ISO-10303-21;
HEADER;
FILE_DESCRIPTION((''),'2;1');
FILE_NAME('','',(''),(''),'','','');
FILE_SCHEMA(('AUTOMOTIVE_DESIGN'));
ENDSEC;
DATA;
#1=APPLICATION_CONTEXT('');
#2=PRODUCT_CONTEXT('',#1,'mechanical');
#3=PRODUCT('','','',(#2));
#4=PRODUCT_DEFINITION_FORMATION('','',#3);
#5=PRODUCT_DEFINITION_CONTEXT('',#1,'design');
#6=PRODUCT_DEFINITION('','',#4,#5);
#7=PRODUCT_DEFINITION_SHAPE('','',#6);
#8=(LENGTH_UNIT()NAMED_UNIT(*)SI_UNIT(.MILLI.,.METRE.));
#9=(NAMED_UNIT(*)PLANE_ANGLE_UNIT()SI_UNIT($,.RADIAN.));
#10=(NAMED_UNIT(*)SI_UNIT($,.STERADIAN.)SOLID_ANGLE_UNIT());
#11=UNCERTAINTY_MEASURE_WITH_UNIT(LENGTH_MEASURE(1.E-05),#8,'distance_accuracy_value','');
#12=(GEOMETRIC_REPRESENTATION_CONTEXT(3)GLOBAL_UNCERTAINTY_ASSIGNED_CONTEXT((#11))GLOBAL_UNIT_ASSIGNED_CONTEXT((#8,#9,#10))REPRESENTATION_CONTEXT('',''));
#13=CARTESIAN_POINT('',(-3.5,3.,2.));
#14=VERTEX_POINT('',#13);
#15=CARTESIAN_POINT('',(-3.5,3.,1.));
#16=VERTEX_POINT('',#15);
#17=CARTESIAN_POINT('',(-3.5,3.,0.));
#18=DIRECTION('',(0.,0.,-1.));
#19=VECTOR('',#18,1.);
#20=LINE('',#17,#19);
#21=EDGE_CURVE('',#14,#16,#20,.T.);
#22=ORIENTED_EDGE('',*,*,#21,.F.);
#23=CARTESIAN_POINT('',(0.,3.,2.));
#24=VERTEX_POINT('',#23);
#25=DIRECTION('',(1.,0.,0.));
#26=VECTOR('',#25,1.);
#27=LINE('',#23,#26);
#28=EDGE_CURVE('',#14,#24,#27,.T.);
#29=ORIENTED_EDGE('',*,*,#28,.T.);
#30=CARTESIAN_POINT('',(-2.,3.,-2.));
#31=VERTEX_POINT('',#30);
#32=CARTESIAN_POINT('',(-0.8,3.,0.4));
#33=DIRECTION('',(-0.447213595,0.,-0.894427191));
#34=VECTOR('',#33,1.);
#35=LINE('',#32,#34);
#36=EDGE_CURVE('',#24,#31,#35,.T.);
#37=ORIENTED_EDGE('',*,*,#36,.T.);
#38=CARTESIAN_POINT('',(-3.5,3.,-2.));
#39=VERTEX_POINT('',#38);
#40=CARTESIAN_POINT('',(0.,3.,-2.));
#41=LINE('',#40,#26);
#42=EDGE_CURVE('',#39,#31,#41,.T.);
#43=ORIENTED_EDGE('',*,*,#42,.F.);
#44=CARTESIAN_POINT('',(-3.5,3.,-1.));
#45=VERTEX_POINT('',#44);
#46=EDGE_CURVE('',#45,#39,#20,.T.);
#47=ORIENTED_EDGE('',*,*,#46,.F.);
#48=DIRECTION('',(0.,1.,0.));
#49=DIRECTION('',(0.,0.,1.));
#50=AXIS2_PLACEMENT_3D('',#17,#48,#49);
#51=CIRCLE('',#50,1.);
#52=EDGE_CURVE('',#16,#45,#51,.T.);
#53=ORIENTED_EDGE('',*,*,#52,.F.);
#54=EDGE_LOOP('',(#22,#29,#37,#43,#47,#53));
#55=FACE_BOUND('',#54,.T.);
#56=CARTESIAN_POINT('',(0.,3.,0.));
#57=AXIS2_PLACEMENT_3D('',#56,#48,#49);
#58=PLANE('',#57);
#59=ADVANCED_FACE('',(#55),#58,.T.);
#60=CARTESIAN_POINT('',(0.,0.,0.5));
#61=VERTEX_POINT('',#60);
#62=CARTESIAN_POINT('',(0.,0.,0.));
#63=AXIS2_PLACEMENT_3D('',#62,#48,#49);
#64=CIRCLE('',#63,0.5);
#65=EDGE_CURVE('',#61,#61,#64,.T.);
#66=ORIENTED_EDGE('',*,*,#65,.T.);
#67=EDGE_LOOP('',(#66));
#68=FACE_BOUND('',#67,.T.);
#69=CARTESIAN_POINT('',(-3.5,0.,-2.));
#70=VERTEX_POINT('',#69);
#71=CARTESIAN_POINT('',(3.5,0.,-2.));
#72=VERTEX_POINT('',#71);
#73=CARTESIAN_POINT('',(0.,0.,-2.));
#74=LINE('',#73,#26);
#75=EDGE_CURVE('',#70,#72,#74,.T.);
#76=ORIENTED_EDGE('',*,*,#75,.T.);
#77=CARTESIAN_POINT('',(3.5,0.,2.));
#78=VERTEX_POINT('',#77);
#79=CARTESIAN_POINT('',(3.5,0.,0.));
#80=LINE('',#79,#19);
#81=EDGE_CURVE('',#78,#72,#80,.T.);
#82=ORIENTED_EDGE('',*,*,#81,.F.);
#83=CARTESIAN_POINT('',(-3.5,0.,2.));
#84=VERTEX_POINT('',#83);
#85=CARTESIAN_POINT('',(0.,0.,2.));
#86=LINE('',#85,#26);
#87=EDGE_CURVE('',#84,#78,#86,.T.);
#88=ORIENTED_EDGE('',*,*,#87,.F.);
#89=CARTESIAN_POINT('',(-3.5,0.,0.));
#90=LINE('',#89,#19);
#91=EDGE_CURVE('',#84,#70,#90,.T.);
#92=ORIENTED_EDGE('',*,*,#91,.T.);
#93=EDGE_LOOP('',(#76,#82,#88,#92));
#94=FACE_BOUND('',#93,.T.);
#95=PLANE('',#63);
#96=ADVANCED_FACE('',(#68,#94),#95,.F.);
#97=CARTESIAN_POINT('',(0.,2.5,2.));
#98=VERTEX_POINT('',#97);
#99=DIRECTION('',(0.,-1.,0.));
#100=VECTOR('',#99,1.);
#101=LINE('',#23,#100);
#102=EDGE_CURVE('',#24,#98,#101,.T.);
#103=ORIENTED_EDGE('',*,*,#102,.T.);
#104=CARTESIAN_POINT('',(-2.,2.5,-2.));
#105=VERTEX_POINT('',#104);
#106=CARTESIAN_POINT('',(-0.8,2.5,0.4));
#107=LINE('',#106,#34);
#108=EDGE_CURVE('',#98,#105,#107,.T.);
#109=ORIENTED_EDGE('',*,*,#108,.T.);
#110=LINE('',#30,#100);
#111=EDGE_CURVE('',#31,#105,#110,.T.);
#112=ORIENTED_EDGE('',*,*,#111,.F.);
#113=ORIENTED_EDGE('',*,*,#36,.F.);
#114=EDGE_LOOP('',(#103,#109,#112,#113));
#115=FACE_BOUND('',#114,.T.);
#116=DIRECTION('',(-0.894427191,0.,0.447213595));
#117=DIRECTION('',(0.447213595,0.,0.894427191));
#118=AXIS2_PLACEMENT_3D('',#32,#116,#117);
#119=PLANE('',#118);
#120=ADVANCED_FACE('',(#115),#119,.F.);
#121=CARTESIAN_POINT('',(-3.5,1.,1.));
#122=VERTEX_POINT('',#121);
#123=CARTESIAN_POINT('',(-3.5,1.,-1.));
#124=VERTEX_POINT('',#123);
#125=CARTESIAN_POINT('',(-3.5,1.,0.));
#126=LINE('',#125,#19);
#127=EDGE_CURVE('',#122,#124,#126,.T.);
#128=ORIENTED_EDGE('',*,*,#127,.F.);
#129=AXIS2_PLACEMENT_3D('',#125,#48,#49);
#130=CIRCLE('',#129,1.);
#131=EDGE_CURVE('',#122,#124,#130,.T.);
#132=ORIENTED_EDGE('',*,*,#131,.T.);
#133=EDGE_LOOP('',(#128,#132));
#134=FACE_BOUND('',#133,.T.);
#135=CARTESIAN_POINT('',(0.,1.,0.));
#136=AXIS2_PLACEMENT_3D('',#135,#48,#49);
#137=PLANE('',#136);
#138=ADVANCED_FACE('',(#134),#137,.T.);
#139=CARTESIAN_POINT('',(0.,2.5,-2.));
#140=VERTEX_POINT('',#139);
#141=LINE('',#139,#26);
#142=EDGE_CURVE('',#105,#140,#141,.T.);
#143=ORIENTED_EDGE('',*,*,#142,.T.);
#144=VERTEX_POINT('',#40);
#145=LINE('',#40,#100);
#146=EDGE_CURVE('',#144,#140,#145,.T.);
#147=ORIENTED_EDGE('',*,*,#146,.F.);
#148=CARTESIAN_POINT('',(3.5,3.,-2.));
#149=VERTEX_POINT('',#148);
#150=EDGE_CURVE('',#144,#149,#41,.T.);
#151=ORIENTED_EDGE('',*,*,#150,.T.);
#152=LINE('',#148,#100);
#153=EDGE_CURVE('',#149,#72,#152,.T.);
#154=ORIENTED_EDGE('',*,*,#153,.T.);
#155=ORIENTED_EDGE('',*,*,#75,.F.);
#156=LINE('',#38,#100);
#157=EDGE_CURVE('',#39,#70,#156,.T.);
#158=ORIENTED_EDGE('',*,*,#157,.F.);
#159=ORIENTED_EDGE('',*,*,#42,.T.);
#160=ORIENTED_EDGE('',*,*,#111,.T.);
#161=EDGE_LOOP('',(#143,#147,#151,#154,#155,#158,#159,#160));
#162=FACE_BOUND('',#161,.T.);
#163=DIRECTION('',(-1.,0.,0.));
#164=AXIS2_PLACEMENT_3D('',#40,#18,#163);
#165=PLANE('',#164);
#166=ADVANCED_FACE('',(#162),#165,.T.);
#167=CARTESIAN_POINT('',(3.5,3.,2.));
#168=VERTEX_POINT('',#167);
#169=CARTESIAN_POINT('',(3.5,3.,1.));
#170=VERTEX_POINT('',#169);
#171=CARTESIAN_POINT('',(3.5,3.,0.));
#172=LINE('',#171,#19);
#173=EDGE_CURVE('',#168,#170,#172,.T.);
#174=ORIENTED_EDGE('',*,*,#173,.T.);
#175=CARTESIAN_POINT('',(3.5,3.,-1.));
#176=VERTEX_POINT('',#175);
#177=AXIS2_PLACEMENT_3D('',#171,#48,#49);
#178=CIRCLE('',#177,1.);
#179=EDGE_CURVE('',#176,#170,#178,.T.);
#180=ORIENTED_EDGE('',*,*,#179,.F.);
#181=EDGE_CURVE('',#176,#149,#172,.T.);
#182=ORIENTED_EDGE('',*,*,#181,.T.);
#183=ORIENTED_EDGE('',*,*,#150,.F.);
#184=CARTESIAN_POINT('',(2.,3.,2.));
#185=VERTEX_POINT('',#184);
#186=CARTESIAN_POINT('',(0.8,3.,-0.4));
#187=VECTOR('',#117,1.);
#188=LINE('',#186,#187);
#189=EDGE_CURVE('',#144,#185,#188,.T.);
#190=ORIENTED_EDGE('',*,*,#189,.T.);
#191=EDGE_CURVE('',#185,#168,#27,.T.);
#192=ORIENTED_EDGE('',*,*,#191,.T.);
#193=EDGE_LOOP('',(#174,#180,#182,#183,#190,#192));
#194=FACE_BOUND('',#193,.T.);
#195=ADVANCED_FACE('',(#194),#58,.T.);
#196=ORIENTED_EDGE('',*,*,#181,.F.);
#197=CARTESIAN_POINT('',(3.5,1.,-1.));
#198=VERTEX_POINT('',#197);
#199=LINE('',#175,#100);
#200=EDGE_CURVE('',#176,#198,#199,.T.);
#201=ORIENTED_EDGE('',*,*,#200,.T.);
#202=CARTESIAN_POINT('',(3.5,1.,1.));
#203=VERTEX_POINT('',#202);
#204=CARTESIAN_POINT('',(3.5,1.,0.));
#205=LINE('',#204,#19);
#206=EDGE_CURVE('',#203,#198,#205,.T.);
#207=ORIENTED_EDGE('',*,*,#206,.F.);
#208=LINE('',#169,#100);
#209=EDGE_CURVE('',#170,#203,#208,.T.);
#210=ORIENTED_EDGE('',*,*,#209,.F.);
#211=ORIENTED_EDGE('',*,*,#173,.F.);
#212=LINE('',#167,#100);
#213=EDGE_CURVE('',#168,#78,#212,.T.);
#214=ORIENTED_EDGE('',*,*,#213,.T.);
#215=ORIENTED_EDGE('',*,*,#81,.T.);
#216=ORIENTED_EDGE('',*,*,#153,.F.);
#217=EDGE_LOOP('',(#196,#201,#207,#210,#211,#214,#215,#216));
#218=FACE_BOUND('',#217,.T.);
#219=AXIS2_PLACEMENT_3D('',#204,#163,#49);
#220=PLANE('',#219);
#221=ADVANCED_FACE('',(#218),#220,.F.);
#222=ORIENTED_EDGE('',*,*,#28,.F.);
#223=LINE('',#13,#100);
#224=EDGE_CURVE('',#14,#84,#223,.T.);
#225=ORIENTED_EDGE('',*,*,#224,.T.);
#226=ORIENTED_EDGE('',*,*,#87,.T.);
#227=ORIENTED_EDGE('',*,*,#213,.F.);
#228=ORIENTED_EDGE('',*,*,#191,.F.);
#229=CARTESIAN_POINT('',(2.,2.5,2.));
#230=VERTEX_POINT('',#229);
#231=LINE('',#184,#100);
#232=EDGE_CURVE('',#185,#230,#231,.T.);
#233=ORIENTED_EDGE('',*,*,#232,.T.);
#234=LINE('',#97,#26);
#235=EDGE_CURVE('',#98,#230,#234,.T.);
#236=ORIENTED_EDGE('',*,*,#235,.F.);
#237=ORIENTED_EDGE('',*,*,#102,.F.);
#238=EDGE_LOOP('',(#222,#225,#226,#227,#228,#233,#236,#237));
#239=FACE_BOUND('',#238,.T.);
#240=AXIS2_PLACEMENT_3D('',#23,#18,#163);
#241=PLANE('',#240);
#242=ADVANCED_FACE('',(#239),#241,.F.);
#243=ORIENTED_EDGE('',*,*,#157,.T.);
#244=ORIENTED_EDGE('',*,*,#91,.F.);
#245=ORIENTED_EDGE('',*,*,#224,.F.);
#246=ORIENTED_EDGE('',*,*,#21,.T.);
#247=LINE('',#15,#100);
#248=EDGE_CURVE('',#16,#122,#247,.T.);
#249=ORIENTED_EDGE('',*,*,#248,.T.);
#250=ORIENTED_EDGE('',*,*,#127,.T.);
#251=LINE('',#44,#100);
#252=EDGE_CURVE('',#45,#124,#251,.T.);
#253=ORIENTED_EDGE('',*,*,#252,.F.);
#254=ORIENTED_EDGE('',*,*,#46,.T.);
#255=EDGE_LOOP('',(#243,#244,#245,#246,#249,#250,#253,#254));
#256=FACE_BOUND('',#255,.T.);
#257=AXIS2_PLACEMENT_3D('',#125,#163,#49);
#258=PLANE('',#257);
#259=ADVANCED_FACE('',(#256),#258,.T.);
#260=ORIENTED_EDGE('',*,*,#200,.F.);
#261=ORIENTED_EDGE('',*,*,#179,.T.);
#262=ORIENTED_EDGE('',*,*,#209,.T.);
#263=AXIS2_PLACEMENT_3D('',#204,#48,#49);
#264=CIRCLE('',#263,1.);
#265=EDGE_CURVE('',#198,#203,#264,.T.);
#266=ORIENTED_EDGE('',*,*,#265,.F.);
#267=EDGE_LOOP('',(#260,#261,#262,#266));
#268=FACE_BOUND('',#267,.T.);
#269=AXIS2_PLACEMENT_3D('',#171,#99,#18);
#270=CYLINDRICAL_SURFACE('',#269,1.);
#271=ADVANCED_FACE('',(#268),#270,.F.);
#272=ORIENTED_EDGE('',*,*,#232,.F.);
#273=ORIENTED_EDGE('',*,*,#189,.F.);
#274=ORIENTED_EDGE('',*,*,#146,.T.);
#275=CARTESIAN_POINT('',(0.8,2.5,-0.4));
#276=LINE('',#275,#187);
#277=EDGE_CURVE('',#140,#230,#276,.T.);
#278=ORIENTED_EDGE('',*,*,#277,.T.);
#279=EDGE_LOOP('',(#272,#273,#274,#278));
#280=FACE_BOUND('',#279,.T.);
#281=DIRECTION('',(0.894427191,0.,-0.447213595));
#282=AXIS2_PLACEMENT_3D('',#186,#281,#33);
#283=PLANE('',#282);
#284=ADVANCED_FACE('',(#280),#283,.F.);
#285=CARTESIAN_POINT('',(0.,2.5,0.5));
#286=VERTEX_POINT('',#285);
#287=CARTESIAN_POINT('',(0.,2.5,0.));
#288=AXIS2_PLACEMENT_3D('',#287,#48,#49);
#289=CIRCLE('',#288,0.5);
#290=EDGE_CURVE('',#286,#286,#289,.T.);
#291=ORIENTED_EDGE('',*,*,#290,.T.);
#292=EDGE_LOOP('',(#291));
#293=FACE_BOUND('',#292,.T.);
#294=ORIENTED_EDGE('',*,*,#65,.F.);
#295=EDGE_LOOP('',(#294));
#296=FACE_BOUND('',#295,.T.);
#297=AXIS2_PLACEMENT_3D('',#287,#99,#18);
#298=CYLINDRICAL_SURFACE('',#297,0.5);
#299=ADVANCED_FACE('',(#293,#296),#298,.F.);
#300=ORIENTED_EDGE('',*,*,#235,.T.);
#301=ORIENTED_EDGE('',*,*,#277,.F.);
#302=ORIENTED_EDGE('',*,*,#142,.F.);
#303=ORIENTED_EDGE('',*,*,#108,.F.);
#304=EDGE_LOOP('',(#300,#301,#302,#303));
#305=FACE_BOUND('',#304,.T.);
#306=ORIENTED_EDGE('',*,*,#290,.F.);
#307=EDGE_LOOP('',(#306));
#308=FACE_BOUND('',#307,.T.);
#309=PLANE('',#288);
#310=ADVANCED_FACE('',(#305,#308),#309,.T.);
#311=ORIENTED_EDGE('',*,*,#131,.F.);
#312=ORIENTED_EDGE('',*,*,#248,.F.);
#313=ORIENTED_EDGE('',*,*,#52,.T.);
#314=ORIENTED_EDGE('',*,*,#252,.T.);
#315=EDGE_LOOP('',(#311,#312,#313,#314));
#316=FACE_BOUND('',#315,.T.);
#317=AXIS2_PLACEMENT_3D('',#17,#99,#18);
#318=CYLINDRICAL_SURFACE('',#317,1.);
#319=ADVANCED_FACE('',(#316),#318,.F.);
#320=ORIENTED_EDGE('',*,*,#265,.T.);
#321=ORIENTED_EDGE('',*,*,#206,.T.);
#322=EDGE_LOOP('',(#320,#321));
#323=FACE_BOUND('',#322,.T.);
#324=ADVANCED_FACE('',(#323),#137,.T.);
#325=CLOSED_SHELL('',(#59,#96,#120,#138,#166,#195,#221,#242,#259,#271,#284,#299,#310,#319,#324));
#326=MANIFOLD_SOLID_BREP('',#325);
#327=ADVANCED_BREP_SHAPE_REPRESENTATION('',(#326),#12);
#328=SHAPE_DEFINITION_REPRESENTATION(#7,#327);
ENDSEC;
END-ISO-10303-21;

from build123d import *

# Parameters (mm, degrees)
BOSS_EXTRUDE1_DEPTH   = 1
BOSS_EXTRUDE1_2_DEPTH = 1
BOSS_EXTRUDE2_DEPTH   = 3
SKETCH1_4_R           = 0.5
BOSS_EXTRUDE3_DEPTH   = 2.5


with BuildPart() as part:
    # Sketch1 → Boss-Extrude1 (new body)
    with BuildSketch(Plane(origin=(0, 0, 0), x_dir=(1, 0, 0), z_dir=(0, 1, 0))):
        with BuildLine():
            Line((-3.5, 1), (-3.5, -1))
            ThreePointArc((-3.5, -1), (-2.5, 0), (-3.5, 1))
        make_face()
    extrude(amount=BOSS_EXTRUDE1_DEPTH)



with BuildPart() as body_2:
    # Sketch1 → Boss-Extrude1 2 (new body)
    with BuildSketch(Plane(origin=(0, 0, 0), x_dir=(1, 0, 0), z_dir=(0, 1, 0))):
        with BuildLine():
            ThreePointArc((3.5, 1), (2.5, 0), (3.5, -1))
            Line((3.5, -1), (3.5, 1))
        make_face()
    extrude(amount=BOSS_EXTRUDE1_2_DEPTH)


with BuildPart() as part_1:
    add(part.part)

    add(body_2.part)  # Boss-Extrude2 merges body 2
    # Sketch1<3> → Boss-Extrude2 (add)
    with BuildSketch(Plane(origin=(0, 0, 0), x_dir=(1, 0, 0), z_dir=(0, 1, 0))):
        with BuildLine():
            Line((-3.5, -2), (0, -2))
            Line((0, -2), (-2, 2))
            Line((-2, 2), (-3.5, 2))
            Line((-3.5, 2), (-3.5, 1))
            ThreePointArc((-3.5, 1), (-2.5, 0), (-3.5, -1))
            Line((-3.5, -1), (-3.5, -2))
        make_face()
        with BuildLine():
            Line((0, 2), (2, -2))
            Line((2, -2), (3.5, -2))
            Line((3.5, -2), (3.5, -1))
            ThreePointArc((3.5, -1), (2.5, 0), (3.5, 1))
            Line((3.5, 1), (3.5, 2))
            Line((3.5, 2), (0, 2))
        make_face()
    extrude(amount=BOSS_EXTRUDE2_DEPTH)

    # Sketch1<4> → Boss-Extrude3 (add)
    with BuildSketch(Plane(origin=(0, 0, 0), x_dir=(1, 0, 0), z_dir=(0, 1, 0))):
        Polygon((-2, 2), (0, -2), (2, -2), (0, 2), align=None)
        Circle(SKETCH1_4_R, mode=Mode.SUBTRACT)
    extrude(amount=BOSS_EXTRUDE3_DEPTH)


solid = part_1.part
